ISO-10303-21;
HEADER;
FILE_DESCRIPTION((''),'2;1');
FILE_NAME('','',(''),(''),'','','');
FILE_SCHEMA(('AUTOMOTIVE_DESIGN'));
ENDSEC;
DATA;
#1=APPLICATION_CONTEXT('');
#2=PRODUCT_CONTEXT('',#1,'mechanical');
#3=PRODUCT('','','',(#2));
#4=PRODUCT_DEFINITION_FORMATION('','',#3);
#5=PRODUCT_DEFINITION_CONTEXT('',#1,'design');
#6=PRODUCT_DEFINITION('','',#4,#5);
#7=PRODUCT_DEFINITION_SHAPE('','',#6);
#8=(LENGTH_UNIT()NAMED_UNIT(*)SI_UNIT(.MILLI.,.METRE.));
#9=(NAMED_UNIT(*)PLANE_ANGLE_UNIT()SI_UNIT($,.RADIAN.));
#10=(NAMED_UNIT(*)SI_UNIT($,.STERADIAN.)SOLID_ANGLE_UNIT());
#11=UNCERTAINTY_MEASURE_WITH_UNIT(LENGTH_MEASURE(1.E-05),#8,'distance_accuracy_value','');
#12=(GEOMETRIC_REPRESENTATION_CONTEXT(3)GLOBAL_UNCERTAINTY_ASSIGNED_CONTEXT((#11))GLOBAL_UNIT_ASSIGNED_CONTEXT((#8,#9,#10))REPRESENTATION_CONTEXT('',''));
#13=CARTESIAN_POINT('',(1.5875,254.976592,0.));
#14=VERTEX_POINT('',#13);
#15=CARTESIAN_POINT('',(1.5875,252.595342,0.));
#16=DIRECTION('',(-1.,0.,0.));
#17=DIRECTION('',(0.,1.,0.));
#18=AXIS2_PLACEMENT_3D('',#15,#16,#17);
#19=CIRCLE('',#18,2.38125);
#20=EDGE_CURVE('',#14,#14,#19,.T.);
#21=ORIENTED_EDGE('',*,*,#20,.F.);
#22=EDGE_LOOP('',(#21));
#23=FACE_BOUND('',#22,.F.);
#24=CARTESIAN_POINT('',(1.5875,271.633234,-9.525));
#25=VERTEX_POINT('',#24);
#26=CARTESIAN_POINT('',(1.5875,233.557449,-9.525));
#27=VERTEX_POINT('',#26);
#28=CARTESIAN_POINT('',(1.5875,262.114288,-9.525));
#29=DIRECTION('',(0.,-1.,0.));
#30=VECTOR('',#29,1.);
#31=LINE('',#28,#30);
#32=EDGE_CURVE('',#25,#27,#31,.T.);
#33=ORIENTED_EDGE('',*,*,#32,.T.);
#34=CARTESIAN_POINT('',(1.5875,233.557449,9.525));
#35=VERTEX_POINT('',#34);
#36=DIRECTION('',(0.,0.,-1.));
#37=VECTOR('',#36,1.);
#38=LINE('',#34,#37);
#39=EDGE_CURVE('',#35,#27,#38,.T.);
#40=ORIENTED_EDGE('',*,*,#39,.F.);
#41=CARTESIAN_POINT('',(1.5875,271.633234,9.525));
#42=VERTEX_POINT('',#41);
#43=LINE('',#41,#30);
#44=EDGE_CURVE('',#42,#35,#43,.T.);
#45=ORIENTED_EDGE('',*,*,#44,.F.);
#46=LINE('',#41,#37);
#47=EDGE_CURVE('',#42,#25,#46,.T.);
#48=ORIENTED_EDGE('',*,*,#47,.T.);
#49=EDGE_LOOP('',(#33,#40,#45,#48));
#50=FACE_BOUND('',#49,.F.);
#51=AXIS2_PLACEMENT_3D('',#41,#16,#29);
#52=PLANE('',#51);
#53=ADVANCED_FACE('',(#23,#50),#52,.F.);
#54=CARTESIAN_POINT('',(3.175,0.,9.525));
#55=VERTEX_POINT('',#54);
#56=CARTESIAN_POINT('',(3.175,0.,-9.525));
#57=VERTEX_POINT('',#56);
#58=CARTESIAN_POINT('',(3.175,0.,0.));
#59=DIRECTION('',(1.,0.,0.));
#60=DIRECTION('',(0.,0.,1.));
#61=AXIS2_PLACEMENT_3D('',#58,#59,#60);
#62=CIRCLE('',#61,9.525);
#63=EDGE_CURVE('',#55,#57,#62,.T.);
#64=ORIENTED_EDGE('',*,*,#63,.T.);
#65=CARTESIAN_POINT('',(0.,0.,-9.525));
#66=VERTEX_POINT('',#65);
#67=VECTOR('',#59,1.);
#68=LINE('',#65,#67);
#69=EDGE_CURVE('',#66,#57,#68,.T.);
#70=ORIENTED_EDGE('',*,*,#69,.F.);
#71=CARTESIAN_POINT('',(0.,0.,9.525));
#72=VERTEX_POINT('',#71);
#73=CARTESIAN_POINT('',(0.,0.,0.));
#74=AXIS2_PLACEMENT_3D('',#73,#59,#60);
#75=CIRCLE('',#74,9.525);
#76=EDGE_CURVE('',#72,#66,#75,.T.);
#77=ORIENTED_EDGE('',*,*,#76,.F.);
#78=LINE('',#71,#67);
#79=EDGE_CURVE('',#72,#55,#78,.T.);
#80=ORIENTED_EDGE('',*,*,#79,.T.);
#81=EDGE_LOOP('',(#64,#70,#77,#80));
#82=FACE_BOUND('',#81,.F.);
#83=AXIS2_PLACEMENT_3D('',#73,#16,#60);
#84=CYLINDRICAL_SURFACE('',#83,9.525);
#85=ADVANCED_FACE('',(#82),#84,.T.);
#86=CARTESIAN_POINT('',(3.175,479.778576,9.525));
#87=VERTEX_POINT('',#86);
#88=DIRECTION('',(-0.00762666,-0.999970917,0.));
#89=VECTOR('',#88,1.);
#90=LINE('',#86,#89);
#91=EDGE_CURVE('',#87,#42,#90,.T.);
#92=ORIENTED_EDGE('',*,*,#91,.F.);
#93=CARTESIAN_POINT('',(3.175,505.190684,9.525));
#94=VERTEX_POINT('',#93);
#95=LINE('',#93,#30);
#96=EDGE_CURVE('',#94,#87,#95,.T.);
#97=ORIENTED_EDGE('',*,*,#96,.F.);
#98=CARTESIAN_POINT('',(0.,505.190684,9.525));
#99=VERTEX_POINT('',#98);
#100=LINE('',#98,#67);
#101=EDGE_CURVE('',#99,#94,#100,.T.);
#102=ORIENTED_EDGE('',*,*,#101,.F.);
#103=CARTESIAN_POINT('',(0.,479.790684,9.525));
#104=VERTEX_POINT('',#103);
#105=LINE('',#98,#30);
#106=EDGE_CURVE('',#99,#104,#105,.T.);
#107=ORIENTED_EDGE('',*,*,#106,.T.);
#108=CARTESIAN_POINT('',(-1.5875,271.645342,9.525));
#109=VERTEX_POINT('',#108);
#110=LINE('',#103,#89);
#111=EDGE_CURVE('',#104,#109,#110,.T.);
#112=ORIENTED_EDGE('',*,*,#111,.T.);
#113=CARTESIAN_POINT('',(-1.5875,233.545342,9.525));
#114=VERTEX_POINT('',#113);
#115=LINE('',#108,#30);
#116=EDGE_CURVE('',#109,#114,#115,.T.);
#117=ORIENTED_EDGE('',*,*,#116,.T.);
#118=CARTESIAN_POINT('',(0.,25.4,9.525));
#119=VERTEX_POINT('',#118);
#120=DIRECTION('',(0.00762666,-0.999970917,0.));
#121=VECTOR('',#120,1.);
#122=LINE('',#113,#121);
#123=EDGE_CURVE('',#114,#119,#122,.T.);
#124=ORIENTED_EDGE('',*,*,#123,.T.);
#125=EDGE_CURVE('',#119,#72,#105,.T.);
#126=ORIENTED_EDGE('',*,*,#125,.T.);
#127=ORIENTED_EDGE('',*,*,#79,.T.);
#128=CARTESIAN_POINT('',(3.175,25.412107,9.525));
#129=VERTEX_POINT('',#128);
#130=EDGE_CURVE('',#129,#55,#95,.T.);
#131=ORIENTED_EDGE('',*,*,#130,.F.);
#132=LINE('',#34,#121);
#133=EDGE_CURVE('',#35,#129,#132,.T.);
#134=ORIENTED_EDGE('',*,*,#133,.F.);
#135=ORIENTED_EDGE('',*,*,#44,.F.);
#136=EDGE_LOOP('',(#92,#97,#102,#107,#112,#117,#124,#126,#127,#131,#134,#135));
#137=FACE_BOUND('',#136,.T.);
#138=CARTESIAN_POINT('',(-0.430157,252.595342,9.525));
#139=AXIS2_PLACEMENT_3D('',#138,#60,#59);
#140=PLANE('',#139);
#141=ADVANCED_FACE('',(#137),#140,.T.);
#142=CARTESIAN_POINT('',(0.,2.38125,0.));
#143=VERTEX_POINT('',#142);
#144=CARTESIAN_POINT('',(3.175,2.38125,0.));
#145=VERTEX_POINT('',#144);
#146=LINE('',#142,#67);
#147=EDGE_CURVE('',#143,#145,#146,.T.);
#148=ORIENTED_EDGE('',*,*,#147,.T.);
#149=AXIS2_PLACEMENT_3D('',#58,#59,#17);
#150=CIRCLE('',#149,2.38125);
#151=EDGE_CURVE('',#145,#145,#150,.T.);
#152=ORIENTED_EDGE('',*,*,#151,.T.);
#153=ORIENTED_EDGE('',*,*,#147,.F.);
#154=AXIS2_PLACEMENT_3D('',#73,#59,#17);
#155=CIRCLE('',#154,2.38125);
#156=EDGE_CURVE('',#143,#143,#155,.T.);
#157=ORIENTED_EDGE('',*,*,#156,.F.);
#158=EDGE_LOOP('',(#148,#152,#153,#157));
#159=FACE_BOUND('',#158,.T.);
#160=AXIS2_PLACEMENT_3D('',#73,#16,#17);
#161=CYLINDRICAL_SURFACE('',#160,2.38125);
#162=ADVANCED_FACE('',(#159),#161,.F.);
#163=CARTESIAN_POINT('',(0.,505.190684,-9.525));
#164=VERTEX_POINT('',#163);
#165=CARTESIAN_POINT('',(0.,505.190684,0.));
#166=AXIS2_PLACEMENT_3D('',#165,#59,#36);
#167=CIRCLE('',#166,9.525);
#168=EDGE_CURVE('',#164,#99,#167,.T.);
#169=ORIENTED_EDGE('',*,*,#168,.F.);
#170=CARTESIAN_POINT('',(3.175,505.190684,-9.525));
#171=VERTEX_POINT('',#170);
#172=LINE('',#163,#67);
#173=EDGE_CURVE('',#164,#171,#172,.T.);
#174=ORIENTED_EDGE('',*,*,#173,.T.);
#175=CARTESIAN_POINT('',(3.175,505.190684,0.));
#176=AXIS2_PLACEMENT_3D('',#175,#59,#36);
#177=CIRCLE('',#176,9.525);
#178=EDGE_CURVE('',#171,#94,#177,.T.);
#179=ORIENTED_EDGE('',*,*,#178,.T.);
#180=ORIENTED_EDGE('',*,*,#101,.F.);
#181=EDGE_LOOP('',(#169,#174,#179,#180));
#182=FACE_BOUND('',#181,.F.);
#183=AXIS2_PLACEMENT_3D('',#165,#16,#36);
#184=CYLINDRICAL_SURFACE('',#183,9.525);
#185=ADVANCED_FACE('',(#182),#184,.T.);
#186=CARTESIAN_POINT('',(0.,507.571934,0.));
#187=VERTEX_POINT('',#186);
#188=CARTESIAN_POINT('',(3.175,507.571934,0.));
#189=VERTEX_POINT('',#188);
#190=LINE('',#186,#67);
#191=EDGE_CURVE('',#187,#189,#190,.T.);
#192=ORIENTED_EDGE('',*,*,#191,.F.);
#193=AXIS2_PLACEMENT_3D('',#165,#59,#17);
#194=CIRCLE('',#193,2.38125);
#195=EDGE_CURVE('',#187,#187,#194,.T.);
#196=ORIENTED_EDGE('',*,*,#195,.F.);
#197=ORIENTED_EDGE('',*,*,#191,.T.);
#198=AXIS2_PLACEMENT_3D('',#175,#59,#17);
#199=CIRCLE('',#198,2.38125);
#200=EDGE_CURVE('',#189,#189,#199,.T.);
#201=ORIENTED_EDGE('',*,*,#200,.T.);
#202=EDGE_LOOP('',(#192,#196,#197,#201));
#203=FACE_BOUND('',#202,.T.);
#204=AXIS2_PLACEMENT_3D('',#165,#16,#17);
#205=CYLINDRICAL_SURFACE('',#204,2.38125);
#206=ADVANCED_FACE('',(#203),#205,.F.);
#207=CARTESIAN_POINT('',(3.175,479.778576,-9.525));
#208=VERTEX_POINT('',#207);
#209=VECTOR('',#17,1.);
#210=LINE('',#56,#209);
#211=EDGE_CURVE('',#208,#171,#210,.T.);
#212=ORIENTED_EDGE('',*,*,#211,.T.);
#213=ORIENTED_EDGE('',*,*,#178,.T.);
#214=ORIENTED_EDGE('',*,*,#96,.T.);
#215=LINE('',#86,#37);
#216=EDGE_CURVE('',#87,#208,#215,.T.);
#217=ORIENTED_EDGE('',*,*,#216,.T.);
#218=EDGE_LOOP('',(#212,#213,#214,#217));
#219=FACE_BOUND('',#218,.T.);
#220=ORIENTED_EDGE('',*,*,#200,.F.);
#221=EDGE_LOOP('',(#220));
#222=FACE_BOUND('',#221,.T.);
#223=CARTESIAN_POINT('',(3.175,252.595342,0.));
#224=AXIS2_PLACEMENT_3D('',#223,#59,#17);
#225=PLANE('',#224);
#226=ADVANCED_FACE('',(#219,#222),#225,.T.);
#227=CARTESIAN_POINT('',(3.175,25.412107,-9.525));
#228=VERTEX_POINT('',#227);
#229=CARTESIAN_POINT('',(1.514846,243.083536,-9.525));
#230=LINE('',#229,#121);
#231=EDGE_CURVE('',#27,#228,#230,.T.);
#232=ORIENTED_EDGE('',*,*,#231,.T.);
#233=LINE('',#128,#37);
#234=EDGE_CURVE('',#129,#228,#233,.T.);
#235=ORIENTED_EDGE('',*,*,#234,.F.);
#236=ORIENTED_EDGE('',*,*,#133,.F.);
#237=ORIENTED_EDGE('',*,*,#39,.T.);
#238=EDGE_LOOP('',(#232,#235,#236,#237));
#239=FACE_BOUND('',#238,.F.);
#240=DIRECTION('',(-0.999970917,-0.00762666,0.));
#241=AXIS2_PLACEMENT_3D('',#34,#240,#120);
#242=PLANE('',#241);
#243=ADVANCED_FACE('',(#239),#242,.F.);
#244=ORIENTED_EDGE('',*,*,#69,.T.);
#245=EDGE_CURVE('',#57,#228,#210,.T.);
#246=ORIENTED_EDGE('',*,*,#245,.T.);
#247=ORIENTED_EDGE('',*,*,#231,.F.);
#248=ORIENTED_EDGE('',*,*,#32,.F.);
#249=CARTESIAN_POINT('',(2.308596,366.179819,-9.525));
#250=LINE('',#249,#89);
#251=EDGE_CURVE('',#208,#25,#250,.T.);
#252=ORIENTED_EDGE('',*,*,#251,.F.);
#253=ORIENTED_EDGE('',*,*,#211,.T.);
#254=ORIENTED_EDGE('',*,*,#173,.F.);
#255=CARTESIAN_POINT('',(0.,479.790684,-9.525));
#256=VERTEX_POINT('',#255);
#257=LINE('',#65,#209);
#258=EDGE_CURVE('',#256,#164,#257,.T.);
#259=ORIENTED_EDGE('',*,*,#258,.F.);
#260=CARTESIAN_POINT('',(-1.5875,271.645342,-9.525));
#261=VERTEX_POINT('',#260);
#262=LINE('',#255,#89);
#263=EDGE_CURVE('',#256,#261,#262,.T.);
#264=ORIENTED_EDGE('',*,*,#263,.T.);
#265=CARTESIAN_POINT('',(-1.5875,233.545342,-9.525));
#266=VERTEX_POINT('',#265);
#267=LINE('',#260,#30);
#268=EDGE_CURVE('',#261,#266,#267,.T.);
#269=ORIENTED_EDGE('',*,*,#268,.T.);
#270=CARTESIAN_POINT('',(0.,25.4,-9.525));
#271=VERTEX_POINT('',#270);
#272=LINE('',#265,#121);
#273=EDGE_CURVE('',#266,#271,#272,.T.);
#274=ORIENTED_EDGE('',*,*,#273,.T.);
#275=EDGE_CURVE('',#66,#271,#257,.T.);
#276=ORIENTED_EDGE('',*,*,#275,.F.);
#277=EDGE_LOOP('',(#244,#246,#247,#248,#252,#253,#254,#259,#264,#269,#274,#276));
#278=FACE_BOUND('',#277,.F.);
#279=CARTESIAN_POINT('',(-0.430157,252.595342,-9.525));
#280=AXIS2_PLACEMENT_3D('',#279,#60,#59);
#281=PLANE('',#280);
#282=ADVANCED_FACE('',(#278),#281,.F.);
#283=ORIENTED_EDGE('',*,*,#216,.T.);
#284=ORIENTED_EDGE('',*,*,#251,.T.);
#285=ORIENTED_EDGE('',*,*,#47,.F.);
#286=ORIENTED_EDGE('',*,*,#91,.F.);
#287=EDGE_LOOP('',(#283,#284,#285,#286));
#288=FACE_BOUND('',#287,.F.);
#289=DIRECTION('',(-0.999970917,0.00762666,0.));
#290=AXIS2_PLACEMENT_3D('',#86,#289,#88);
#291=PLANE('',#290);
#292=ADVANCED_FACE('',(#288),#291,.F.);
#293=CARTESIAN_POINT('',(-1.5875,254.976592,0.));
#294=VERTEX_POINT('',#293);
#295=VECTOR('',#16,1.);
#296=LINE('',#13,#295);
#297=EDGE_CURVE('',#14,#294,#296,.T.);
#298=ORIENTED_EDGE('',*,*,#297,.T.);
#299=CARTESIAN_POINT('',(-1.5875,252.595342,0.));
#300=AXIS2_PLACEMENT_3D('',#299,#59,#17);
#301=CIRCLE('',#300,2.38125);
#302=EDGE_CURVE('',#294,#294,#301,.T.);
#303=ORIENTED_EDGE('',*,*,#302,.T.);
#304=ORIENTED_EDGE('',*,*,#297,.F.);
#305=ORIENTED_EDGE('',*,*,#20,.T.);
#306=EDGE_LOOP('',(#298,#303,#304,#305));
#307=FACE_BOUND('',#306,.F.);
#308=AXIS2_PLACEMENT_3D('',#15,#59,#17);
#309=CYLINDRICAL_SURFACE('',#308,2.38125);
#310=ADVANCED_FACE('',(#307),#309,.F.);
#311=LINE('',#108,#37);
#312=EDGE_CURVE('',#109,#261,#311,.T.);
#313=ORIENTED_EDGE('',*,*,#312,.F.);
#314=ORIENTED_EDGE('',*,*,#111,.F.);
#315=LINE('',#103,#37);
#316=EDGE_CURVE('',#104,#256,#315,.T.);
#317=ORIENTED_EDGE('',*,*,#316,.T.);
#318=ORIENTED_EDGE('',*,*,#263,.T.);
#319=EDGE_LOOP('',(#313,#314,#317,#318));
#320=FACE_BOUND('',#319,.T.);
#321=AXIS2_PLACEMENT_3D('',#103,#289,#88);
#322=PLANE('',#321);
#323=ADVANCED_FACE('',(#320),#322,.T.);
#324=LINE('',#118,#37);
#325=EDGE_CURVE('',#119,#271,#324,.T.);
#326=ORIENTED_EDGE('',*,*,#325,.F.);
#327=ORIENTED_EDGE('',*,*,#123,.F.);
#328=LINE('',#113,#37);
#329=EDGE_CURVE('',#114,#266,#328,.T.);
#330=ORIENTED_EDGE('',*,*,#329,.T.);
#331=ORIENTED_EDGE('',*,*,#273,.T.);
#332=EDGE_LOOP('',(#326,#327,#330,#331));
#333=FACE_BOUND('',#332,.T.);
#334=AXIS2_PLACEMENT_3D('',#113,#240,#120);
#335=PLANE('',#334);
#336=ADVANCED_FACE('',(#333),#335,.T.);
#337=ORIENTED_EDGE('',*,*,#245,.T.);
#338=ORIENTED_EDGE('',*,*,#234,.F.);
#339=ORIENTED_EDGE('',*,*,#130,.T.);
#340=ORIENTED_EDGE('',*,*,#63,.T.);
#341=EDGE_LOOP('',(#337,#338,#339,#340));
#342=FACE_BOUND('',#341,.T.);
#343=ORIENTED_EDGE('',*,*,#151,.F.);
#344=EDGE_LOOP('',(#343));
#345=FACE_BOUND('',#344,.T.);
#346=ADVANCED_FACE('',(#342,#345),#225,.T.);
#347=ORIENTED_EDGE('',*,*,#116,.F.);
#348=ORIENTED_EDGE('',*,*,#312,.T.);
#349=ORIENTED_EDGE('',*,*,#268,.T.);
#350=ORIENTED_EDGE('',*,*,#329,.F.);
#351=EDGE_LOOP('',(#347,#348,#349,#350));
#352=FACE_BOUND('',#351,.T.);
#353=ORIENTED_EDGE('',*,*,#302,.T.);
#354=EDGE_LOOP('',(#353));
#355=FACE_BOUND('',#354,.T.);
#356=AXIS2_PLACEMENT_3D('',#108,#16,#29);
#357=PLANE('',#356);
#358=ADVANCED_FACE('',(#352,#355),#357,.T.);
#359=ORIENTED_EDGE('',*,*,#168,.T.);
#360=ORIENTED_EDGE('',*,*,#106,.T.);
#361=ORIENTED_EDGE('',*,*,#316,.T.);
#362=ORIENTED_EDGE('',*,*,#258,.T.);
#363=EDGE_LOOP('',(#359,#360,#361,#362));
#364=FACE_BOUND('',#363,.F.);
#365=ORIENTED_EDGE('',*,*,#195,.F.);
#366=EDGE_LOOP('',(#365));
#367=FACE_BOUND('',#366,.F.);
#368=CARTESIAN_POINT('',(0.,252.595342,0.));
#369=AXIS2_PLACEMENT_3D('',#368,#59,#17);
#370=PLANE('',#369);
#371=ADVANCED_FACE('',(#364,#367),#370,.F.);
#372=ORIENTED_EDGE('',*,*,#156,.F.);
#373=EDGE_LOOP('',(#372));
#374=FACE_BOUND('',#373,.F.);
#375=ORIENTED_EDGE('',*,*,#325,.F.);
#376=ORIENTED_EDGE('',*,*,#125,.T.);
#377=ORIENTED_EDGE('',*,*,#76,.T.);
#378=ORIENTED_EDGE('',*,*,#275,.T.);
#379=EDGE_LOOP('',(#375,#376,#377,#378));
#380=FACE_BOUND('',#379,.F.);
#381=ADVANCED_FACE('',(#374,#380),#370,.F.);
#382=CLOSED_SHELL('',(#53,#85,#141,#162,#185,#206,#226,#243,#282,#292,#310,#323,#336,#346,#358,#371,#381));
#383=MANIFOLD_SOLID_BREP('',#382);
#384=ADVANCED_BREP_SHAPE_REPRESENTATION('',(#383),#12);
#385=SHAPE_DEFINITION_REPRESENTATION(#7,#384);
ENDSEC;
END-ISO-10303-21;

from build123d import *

# Parameters (mm, degrees)
F0_R     = 2.38125
F1_DEPTH = 3.175
F3_DEPTH = 19.05
F5_DEPTH = 25.4
F6_R     = 2.38125
F7_DEPTH = 25.4


with BuildPart() as f1:
    # F0 (on Right) → F1 (new body)
    with BuildSketch(Plane.YZ):
        with BuildLine():
            Line((505.190684, 9.525), (0, 9.525))
            ThreePointArc((0, 9.525), (-9.525, 0), (0, -9.525))
            Line((0, -9.525), (505.190684, -9.525))
            ThreePointArc((505.190684, -9.525), (514.715684, 0), (505.190684, 9.525))
        make_face()
        Circle(F0_R, mode=Mode.SUBTRACT)
        with Locations((252.595342, 0)):
            Circle(F0_R, mode=Mode.SUBTRACT)
        with Locations((505.190684, 0)):
            Circle(F0_R, mode=Mode.SUBTRACT)
    extrude(amount=F1_DEPTH)

    # F2 (on face) → F3 (join)
    with BuildSketch(Plane.XY.offset(9.525)):
        Polygon((-1.5875, 233.545342), (0, 25.4), (0, 479.790684), (-1.5875, 271.645342), align=None)
    extrude(amount=-F3_DEPTH)

    # F4 (on face) → F5 (cut)
    with BuildSketch(Plane.XY.offset(9.525)):
        Polygon((1.5875, 233.557449), (3.175, 25.412107), (3.175, 479.778576), (1.5875, 271.633234), align=None)
    extrude(amount=-F5_DEPTH, mode=Mode.SUBTRACT)

    # F6 (on face) → F7 (cut)
    with BuildSketch(Plane.YZ.offset(1.5875)):
        with Locations((252.595342, 0)):
            Circle(F6_R)
    extrude(amount=-F7_DEPTH, mode=Mode.SUBTRACT)


solid = f1.part
